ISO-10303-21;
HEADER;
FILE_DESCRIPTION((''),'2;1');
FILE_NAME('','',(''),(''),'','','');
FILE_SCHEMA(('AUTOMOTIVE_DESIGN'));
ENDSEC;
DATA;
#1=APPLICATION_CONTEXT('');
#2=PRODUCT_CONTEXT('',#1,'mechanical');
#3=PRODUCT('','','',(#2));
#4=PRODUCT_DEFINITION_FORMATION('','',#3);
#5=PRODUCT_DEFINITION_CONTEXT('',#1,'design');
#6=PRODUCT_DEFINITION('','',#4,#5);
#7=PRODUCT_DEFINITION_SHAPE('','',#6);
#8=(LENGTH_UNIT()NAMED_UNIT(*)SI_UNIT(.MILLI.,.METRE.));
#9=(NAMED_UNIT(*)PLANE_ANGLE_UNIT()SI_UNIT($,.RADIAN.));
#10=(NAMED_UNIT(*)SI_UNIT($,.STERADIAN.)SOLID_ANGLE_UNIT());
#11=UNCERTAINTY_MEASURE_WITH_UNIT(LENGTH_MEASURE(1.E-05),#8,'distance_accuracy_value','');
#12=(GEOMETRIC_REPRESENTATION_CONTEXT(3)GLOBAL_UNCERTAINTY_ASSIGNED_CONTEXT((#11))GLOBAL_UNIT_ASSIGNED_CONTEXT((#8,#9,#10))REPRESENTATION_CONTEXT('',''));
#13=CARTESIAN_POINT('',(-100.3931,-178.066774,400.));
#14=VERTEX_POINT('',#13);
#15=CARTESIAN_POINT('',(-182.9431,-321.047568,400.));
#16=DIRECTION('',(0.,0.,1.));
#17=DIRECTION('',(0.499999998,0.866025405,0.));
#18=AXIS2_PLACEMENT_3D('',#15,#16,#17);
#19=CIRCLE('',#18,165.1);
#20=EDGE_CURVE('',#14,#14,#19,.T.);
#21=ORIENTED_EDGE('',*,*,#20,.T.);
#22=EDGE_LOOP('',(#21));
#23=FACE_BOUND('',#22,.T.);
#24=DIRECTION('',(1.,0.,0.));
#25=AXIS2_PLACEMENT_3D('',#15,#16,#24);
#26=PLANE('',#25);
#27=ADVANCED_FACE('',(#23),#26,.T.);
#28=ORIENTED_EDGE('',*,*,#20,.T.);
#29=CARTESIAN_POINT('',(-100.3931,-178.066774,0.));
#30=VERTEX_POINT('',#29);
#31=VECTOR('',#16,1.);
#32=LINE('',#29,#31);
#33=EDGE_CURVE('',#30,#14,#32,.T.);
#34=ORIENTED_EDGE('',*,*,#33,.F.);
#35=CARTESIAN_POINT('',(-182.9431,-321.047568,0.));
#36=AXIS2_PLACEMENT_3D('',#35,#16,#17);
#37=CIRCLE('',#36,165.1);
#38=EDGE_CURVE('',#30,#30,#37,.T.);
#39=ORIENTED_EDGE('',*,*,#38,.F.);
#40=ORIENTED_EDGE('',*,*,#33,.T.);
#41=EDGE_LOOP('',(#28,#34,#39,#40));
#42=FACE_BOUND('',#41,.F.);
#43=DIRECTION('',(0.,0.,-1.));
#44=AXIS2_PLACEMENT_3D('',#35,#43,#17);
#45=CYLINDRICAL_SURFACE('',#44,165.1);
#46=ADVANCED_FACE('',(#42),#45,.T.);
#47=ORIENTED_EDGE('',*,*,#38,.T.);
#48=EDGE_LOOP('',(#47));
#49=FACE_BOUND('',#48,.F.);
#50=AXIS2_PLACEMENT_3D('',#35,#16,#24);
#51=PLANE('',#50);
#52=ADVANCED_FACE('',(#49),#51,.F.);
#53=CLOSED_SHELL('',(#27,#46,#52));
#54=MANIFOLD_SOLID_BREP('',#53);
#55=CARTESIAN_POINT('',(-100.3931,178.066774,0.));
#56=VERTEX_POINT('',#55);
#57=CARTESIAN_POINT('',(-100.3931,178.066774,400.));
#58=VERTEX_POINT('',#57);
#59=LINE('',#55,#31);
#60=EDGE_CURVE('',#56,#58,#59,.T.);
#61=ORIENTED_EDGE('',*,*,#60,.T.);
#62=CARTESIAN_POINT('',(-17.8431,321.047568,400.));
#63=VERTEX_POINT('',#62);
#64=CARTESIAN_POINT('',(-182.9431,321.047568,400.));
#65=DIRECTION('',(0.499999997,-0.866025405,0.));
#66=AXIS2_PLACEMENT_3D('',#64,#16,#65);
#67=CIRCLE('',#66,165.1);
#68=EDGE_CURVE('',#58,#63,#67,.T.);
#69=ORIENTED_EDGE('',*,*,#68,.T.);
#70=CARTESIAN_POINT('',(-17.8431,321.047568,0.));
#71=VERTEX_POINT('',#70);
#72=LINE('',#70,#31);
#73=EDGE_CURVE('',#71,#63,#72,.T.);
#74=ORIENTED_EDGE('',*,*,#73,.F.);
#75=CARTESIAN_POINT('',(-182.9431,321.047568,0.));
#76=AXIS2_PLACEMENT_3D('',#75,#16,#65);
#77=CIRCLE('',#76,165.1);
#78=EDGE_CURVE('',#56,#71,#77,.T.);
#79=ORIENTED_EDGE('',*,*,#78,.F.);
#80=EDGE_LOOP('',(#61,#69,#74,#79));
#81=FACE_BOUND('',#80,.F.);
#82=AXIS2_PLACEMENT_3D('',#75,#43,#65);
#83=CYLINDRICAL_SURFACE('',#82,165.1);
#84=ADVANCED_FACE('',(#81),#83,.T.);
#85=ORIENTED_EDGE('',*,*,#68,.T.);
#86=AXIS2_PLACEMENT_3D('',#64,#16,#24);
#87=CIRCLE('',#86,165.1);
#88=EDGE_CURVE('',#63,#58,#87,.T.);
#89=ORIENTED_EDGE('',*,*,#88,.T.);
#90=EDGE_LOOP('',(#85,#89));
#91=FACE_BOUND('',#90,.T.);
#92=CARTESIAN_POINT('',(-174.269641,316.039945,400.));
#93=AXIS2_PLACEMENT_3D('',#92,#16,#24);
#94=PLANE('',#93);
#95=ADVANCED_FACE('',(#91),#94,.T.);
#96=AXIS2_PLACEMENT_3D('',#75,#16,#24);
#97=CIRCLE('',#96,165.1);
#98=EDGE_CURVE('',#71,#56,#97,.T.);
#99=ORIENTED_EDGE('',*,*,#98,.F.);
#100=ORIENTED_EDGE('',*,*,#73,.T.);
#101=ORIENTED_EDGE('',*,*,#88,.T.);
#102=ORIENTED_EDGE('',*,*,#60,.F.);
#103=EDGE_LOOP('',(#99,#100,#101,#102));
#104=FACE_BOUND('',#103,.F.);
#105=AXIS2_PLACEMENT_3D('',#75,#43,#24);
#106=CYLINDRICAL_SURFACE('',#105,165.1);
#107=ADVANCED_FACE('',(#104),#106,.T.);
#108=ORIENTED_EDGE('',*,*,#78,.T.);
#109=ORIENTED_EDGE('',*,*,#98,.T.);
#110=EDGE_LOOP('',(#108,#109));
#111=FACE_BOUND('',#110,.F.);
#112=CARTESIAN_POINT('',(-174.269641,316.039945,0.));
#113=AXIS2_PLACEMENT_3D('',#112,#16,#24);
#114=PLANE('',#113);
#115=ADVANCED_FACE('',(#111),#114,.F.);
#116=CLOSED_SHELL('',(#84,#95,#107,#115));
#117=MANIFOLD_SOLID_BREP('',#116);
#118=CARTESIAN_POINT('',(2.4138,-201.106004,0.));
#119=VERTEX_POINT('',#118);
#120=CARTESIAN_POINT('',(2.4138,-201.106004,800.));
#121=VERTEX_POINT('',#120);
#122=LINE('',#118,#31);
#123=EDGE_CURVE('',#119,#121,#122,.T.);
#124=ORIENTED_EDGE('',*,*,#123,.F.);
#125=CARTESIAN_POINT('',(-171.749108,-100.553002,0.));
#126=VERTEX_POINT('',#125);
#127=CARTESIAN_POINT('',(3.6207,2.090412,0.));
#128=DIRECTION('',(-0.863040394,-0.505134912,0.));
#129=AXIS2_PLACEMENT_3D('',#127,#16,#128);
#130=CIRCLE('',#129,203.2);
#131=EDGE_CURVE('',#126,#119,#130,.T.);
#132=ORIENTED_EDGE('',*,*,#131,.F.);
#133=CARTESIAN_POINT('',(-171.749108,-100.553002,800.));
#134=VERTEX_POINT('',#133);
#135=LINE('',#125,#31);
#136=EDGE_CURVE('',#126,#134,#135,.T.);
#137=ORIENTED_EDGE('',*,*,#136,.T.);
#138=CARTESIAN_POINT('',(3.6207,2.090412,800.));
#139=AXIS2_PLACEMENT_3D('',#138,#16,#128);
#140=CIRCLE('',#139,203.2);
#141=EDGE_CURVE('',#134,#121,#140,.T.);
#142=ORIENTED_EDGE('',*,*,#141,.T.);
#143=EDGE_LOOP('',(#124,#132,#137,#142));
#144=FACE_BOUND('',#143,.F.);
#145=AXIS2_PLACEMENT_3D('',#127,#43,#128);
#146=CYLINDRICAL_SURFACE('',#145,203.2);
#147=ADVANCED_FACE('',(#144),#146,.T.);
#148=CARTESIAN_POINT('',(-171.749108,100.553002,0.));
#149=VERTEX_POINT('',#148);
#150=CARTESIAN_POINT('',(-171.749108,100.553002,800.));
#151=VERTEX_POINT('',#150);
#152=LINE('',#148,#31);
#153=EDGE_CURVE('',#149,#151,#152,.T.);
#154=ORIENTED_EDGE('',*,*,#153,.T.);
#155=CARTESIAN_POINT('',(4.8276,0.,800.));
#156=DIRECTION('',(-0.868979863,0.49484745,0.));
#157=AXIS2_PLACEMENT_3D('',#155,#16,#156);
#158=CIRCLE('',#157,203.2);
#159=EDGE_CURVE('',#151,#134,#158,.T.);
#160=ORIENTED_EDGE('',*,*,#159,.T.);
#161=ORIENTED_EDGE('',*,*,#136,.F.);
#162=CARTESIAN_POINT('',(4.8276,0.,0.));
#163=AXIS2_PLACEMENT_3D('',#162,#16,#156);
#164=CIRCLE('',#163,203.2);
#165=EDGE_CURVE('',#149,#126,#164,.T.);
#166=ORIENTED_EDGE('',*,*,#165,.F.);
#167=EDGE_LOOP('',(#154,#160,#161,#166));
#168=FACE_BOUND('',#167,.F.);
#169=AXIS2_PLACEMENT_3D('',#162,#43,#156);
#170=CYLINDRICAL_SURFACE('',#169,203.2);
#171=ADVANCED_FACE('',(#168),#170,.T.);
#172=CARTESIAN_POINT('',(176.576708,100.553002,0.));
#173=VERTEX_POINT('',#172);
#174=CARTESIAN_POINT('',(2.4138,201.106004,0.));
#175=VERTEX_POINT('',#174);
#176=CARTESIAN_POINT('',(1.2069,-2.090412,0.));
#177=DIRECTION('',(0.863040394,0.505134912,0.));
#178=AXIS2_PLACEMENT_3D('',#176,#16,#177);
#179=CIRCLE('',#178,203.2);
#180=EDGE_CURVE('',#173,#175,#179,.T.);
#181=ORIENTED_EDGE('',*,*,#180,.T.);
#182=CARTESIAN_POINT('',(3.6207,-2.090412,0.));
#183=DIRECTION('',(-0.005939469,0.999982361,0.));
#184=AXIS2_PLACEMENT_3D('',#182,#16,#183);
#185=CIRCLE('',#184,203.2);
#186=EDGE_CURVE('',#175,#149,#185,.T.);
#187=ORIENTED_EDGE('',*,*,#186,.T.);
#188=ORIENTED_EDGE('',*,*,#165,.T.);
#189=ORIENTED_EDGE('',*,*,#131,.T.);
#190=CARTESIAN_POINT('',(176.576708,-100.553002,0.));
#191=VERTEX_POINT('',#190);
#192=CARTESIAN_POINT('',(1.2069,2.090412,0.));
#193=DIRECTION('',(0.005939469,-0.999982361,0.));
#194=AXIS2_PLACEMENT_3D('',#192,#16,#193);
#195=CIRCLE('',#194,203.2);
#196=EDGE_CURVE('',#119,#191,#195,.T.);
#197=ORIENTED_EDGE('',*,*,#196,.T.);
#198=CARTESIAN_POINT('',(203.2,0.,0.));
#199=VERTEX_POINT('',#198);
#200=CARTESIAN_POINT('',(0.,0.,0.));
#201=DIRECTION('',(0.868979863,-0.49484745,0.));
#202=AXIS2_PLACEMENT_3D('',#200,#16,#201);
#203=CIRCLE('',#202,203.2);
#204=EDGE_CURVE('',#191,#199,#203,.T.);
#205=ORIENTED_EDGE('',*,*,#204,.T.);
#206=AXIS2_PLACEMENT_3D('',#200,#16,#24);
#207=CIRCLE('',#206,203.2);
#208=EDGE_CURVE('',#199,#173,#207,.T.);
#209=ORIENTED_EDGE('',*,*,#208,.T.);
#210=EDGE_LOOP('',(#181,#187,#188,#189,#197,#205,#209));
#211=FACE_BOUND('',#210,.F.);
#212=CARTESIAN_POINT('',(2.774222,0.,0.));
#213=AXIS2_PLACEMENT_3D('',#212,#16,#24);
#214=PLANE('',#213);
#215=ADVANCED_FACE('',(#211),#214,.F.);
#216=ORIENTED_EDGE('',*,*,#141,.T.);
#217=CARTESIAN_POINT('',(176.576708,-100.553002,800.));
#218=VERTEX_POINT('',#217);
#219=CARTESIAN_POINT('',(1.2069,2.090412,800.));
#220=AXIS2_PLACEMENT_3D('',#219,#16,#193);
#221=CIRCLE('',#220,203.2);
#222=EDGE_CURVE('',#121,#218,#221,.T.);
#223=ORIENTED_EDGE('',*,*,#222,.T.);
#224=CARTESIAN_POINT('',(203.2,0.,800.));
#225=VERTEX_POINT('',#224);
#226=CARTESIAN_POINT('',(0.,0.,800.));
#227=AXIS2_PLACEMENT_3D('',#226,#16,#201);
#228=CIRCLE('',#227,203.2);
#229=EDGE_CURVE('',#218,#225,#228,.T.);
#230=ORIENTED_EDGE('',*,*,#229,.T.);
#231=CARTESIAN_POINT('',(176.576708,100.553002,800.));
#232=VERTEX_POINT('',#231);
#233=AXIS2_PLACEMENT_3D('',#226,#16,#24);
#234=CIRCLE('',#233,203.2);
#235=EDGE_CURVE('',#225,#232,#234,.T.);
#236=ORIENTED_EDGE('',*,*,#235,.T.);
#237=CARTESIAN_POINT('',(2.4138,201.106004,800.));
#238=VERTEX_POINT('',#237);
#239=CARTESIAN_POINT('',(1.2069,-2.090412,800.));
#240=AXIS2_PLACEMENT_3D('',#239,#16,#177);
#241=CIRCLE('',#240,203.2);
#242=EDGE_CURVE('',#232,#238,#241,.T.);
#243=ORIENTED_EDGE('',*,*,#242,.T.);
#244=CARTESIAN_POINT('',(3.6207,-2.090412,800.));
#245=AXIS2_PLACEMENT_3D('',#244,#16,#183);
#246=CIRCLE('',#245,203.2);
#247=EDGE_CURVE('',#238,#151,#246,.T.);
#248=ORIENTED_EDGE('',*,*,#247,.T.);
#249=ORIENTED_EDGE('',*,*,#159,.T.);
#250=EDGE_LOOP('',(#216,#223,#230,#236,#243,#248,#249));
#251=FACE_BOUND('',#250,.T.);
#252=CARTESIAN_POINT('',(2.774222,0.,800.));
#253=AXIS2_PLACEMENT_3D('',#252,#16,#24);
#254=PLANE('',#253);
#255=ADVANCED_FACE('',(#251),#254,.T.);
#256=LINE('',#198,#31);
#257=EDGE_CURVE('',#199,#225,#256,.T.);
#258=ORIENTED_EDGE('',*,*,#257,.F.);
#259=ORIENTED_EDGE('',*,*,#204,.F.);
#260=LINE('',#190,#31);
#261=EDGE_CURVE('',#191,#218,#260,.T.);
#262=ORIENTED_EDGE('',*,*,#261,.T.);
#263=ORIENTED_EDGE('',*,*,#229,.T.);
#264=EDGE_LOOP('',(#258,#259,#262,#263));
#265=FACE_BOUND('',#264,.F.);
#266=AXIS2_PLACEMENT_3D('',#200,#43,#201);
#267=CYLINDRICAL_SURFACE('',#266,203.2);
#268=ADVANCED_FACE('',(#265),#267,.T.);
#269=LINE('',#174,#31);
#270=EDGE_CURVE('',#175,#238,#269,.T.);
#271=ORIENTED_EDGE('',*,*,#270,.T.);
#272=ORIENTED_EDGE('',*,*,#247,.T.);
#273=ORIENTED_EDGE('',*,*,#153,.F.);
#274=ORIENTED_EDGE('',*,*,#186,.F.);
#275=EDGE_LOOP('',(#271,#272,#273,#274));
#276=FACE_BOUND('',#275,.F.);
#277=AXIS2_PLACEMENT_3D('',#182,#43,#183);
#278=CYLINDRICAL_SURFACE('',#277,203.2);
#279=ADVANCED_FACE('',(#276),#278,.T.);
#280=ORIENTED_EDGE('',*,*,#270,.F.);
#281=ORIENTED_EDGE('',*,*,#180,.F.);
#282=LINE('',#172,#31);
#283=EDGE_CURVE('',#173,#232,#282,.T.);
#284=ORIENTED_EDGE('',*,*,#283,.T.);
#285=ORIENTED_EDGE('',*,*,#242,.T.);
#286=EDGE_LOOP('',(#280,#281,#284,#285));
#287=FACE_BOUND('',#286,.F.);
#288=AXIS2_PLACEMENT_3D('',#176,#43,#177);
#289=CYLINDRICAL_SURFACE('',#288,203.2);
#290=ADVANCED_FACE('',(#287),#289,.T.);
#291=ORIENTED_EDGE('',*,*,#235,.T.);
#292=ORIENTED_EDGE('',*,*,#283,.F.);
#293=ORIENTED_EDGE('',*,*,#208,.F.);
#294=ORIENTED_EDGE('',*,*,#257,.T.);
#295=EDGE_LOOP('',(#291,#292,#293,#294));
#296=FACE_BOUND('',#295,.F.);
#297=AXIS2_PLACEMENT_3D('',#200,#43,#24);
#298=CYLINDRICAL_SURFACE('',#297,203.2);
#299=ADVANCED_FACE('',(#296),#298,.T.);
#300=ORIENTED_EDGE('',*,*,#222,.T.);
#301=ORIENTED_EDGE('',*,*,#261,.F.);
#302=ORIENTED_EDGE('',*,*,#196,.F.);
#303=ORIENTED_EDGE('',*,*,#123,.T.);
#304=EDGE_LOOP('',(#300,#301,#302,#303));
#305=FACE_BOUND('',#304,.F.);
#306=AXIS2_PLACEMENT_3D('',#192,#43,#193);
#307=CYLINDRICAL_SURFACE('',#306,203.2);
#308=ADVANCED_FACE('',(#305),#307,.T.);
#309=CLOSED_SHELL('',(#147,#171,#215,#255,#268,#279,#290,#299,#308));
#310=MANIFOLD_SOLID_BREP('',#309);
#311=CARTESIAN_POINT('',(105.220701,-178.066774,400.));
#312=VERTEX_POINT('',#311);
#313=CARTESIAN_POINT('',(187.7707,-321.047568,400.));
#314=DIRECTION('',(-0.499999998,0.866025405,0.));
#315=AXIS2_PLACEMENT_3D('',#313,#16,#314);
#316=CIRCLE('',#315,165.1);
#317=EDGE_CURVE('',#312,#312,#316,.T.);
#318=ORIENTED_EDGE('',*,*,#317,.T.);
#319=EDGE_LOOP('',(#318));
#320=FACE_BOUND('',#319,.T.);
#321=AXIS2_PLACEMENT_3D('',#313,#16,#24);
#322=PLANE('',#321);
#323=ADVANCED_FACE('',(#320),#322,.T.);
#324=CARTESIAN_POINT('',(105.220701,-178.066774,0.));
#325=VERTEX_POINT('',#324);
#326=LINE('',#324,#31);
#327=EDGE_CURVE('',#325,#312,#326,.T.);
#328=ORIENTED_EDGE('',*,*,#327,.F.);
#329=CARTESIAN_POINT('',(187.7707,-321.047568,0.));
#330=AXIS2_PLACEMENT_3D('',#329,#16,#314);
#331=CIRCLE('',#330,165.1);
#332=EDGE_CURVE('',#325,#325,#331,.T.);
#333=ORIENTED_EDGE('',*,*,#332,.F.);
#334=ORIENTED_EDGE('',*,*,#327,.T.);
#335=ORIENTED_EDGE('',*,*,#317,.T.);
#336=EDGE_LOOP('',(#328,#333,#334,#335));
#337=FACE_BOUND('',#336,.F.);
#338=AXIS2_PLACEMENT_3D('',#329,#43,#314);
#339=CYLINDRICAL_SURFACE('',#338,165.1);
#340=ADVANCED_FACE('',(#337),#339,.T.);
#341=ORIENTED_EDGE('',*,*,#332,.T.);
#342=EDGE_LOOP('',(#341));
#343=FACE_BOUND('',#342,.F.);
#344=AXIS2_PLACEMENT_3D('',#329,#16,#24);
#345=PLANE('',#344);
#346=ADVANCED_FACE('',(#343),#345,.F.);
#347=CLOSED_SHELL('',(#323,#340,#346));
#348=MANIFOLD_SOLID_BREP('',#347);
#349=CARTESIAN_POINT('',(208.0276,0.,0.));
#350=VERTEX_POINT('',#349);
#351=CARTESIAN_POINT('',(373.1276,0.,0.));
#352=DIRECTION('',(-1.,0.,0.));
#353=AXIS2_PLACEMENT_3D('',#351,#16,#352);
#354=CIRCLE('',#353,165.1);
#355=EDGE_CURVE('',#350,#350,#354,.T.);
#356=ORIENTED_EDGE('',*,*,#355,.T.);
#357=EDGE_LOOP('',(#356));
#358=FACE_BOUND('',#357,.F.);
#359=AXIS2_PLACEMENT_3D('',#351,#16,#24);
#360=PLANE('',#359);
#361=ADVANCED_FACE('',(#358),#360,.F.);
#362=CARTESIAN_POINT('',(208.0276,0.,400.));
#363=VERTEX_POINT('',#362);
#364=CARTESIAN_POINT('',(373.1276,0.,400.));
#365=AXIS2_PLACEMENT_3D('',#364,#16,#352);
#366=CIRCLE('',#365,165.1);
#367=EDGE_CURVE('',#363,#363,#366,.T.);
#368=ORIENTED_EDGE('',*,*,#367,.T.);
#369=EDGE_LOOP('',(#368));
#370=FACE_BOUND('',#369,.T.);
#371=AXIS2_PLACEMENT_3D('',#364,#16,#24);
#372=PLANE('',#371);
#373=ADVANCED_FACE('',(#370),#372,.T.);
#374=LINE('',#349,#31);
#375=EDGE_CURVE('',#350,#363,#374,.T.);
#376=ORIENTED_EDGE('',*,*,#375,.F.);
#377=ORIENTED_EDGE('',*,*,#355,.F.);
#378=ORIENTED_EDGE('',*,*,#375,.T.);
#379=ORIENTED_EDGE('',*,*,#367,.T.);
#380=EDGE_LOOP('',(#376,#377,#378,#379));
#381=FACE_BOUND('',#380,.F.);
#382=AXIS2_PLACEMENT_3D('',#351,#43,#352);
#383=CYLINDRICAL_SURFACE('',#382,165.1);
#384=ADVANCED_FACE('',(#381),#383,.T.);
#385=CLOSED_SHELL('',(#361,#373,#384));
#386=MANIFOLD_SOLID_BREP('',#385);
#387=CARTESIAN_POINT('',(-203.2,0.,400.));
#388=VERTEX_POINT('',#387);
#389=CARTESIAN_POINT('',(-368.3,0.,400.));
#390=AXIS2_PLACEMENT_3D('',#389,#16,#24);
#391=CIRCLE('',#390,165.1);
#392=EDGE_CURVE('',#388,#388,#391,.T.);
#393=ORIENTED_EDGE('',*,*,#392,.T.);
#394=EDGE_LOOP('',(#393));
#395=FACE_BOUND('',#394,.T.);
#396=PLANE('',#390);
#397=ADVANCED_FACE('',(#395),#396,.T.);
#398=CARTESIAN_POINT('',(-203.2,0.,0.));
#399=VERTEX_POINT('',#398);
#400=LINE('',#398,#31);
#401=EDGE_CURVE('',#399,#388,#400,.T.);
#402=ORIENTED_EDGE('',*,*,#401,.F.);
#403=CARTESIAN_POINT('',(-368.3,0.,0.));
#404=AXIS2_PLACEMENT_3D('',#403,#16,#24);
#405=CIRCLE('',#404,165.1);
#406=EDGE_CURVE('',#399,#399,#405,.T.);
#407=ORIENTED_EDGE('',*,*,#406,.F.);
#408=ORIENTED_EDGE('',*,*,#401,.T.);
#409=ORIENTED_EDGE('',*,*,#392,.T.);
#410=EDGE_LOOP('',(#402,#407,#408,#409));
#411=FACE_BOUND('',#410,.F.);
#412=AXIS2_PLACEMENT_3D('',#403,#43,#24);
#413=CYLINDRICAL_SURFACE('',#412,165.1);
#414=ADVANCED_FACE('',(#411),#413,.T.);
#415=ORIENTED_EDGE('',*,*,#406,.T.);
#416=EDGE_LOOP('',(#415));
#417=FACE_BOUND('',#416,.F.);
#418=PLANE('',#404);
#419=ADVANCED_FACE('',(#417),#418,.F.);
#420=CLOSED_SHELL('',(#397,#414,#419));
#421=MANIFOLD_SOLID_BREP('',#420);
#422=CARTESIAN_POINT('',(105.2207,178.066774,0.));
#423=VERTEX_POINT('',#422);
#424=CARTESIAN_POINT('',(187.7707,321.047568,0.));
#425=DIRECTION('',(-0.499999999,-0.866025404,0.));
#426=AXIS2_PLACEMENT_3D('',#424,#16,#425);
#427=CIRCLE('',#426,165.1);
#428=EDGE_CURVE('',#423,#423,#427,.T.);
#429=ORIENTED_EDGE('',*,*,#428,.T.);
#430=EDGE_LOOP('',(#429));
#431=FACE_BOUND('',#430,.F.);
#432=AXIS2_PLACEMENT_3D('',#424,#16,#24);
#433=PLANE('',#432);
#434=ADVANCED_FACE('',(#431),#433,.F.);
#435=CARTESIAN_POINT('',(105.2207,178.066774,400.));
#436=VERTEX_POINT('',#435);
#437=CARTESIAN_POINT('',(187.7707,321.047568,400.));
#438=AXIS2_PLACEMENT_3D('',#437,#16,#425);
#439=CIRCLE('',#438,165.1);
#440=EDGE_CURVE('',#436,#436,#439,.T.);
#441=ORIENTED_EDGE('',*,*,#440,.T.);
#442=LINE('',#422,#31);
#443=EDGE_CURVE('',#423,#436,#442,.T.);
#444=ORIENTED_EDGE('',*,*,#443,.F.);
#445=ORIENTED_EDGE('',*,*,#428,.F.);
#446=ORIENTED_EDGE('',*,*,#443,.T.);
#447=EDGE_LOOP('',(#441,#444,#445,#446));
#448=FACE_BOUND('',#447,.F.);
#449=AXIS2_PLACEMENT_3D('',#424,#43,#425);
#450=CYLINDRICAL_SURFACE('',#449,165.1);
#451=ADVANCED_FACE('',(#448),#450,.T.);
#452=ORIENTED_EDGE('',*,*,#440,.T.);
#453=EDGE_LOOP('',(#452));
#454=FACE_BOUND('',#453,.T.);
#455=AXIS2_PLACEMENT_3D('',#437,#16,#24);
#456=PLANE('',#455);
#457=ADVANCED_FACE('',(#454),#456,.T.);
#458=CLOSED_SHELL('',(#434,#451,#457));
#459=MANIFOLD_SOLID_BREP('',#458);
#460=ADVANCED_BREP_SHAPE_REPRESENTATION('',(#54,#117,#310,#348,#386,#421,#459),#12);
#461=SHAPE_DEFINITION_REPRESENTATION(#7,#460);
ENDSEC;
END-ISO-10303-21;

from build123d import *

# Parameters (mm, degrees)
F1_DEPTH = 800
F0_R     = 165.1
F2_DEPTH = 400


with BuildPart() as f1:
    # F0 (on Top) → F1 (new body)
    with BuildSketch(Plane.XY):
        with BuildLine():
            ThreePointArc((176.5767080849, -100.5530017549), (196.431447435, -52.0089074926), (203.2, 0))
            ThreePointArc((203.2, 0), (196.431447435, 52.0089074926), (176.5767080849, 100.5530017549))
            ThreePointArc((176.5767080849, 100.5530017549), (102.8069000959, 173.8859497632), (2.4138001919, 201.1060035097))
            ThreePointArc((2.4138001919, 201.1060035097), (-97.9792997122, 173.8859497632), (-171.7491077011, 100.5530017549))
            ThreePointArc((-171.7491077011, 100.5530017549), (-198.3723996162, 0), (-171.7491077011, -100.5530017549))
            ThreePointArc((-171.7491077011, -100.5530017549), (-97.9792997122, -173.8859497632), (2.4138001919, -201.1060035097))
            ThreePointArc((2.4138001919, -201.1060035097), (102.8069000959, -173.8859497632), (176.5767080849, -100.5530017549))
        make_face()
    extrude(amount=F1_DEPTH)


with BuildPart() as f2:
    # F0 (on Top) → F2 (new body)
    with BuildSketch(Plane.XY):
        with Locations((-368.3, 0)):
            Circle(F0_R)
    extrude(amount=F2_DEPTH)


with BuildPart() as f2b:
    # F0 (on Top) → F2, piece 2 (new body)
    with BuildSketch(Plane.XY):
        with BuildLine():
            ThreePointArc((-17.8430999041, 321.0475684996), (-325.9238939328, 403.5975687353), (-100.3931003754, 178.0667740627))
            ThreePointArc((-100.3931003754, 178.0667740627), (-39.9623058753, 238.4975682639), (-17.8430999041, 321.0475684996))
        make_face()
    extrude(amount=F2_DEPTH)


with BuildPart() as f2c:
    # F0 (on Top) → F2, piece 3 (new body)
    with BuildSketch(Plane.XY):
        with BuildLine():
            ThreePointArc((352.8707002878, 321.0475684996), (105.2207002131, 464.0283626213), (105.2207004372, 178.0667742486))
            ThreePointArc((105.2207004372, 178.0667742486), (270.3207003625, 178.0667743779), (352.8707002878, 321.0475684996))
        make_face()
    extrude(amount=F2_DEPTH)


with BuildPart() as f2d:
    # F0 (on Top) → F2, piece 4 (new body)
    with BuildSketch(Plane.XY):
        with BuildLine():
            ThreePointArc((538.2276003838, 0), (373.1276003838, 165.1), (208.0276003838, 0))
            ThreePointArc((208.0276003838, 0), (373.1276003838, -165.1), (538.2276003838, 0))
        make_face()
    extrude(amount=F2_DEPTH)


with BuildPart() as f2e:
    # F0 (on Top) → F2, piece 5 (new body)
    with BuildSketch(Plane.XY):
        with BuildLine():
            ThreePointArc((352.8707002878, -321.0475684996), (270.3207004679, -178.0667744388), (105.2207006479, -178.0667741269))
            ThreePointArc((105.2207006479, -178.0667741269), (105.2207001078, -464.0283625605), (352.8707002878, -321.0475684996))
        make_face()
    extrude(amount=F2_DEPTH)


with BuildPart() as f2f:
    # F0 (on Top) → F2, piece 6 (new body)
    with BuildSketch(Plane.XY):
        with BuildLine():
            ThreePointArc((-17.8430999041, -321.0475684996), (-39.9623058151, -238.4975683682), (-100.3931001668, -178.0667741831))
            ThreePointArc((-100.3931001668, -178.0667741831), (-325.923893993, -403.597568631), (-17.8430999041, -321.0475684996))
        make_face()
    extrude(amount=F2_DEPTH)


solid = Compound([f1.part, f2.part, f2b.part, f2c.part, f2d.part, f2e.part, f2f.part])
